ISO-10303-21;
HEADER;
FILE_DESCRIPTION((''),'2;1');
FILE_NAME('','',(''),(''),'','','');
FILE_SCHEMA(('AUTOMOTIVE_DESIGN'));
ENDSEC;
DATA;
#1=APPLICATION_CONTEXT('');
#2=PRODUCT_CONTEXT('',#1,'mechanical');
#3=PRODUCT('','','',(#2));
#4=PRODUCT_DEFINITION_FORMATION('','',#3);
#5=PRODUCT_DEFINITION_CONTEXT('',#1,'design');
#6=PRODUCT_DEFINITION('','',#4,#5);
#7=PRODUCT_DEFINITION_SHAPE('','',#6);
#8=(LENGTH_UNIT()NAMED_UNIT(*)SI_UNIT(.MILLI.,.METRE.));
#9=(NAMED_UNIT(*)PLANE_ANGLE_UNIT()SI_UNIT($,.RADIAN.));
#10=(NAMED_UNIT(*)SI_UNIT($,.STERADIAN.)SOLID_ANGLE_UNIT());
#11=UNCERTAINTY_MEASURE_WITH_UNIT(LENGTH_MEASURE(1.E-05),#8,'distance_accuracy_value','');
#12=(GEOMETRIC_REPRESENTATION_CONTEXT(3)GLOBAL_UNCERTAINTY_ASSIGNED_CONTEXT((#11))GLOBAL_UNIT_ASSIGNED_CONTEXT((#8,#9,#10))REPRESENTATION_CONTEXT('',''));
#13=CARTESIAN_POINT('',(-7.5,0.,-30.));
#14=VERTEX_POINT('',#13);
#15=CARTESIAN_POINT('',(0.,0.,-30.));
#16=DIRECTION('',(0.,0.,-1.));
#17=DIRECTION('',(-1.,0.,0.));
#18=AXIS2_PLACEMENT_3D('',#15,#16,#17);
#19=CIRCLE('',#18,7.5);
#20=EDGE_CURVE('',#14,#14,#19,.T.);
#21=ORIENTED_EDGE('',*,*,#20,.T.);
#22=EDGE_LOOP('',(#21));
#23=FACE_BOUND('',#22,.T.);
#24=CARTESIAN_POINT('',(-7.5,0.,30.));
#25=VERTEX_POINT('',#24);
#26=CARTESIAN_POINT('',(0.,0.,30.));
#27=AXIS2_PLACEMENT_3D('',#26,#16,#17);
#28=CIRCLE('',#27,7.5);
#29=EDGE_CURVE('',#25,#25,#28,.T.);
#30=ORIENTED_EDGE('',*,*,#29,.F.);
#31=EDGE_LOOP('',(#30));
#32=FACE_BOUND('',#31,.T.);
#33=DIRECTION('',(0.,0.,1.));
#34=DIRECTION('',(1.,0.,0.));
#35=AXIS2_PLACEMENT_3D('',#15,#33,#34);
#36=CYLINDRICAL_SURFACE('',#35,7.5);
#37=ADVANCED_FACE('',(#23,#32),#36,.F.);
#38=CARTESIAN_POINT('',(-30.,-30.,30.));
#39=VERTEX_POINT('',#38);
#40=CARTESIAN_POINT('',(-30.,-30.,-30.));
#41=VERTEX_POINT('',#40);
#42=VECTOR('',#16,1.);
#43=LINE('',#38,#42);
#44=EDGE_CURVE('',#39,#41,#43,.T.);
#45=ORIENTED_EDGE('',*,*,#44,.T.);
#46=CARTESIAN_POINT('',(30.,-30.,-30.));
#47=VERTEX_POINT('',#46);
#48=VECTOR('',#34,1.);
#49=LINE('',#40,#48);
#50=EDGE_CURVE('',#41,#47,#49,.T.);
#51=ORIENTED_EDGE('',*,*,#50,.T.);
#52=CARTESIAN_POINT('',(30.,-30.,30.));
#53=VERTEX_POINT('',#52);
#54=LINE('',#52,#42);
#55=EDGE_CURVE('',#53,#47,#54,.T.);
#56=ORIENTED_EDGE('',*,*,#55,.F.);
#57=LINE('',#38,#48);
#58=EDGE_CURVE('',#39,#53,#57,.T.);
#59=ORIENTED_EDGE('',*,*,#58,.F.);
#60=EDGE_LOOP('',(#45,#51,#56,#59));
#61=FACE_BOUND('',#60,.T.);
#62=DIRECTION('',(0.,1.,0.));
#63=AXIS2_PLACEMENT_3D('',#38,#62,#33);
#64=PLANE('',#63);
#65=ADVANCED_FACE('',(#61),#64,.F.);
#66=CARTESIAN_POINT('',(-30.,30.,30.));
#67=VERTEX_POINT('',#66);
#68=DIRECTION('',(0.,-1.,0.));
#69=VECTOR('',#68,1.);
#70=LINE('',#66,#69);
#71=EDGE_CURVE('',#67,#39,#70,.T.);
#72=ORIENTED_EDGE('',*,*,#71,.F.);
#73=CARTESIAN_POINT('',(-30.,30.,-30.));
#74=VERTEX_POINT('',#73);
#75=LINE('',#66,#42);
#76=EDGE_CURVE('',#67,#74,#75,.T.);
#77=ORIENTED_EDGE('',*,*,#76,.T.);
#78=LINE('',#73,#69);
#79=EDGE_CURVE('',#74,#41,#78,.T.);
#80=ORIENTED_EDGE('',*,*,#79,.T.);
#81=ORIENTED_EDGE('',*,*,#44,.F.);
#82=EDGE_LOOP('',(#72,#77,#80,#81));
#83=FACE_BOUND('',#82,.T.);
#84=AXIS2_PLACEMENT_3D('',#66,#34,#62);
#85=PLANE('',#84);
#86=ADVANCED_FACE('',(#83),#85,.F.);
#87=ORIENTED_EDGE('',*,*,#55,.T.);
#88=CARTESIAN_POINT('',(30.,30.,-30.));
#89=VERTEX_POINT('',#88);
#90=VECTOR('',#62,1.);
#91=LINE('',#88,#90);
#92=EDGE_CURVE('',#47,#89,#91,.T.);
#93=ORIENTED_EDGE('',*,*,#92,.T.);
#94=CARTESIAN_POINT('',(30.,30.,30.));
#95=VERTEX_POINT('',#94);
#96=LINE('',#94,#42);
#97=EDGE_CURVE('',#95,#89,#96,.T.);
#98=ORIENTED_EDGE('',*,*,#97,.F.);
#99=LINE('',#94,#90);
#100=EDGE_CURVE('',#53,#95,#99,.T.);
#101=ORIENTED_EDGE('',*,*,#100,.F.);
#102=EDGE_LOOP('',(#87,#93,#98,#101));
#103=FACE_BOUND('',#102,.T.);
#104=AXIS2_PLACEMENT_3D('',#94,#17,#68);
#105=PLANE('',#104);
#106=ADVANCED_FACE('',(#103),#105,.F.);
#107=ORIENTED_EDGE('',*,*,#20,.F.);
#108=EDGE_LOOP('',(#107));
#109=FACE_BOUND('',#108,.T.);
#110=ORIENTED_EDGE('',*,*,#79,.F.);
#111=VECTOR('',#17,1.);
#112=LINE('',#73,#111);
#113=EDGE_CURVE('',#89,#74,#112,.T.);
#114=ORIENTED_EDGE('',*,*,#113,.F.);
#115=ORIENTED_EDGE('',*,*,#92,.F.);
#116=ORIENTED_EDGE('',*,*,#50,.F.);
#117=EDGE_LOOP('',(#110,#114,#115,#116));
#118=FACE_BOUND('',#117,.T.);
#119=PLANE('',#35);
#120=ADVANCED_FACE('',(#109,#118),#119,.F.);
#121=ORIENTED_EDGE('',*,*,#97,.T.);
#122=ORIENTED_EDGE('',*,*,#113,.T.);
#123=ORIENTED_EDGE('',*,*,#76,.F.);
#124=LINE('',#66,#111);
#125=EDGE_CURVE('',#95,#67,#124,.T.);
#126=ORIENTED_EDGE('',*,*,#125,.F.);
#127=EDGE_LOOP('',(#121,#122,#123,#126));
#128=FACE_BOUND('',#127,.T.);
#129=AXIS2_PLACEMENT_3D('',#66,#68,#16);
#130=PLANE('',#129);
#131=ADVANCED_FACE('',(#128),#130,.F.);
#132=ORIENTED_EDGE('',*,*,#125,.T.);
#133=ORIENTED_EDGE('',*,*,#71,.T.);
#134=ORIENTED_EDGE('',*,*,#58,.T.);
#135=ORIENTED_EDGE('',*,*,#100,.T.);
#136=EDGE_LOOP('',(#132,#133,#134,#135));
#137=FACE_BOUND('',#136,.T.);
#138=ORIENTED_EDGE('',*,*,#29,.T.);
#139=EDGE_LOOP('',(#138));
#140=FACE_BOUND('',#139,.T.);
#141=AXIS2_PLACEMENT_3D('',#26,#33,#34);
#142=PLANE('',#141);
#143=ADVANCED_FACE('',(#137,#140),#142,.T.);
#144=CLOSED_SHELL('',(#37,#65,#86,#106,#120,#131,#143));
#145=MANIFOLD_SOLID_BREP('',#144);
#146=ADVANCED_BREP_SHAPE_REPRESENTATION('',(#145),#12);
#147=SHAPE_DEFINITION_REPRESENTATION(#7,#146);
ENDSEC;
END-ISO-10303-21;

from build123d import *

# Parameters (mm, degrees)
SKETCH_1_W          = 60
SKETCH_1_H          = 60
EXTRUDE_1_DEPTH     = 30
SKETCH_2_R          = 7.5
CUT_EXTRUDE_1_DEPTH = 74.484692283


with BuildPart() as part:
    # 草图1 → 凸台-拉伸1 (new, symmetric)
    with BuildSketch(Plane.XY):
        Rectangle(SKETCH_1_W, SKETCH_1_H)
    extrude(amount=EXTRUDE_1_DEPTH, both=True)

    # 草图2 → 切除-拉伸1 (cut, through all)
    with BuildSketch(Plane(origin=(0, 0, 30), x_dir=(-1, 0, 0), z_dir=(0, 0, -1))):
        Circle(SKETCH_2_R)
    extrude(amount=CUT_EXTRUDE_1_DEPTH, mode=Mode.SUBTRACT)


solid = part.part
